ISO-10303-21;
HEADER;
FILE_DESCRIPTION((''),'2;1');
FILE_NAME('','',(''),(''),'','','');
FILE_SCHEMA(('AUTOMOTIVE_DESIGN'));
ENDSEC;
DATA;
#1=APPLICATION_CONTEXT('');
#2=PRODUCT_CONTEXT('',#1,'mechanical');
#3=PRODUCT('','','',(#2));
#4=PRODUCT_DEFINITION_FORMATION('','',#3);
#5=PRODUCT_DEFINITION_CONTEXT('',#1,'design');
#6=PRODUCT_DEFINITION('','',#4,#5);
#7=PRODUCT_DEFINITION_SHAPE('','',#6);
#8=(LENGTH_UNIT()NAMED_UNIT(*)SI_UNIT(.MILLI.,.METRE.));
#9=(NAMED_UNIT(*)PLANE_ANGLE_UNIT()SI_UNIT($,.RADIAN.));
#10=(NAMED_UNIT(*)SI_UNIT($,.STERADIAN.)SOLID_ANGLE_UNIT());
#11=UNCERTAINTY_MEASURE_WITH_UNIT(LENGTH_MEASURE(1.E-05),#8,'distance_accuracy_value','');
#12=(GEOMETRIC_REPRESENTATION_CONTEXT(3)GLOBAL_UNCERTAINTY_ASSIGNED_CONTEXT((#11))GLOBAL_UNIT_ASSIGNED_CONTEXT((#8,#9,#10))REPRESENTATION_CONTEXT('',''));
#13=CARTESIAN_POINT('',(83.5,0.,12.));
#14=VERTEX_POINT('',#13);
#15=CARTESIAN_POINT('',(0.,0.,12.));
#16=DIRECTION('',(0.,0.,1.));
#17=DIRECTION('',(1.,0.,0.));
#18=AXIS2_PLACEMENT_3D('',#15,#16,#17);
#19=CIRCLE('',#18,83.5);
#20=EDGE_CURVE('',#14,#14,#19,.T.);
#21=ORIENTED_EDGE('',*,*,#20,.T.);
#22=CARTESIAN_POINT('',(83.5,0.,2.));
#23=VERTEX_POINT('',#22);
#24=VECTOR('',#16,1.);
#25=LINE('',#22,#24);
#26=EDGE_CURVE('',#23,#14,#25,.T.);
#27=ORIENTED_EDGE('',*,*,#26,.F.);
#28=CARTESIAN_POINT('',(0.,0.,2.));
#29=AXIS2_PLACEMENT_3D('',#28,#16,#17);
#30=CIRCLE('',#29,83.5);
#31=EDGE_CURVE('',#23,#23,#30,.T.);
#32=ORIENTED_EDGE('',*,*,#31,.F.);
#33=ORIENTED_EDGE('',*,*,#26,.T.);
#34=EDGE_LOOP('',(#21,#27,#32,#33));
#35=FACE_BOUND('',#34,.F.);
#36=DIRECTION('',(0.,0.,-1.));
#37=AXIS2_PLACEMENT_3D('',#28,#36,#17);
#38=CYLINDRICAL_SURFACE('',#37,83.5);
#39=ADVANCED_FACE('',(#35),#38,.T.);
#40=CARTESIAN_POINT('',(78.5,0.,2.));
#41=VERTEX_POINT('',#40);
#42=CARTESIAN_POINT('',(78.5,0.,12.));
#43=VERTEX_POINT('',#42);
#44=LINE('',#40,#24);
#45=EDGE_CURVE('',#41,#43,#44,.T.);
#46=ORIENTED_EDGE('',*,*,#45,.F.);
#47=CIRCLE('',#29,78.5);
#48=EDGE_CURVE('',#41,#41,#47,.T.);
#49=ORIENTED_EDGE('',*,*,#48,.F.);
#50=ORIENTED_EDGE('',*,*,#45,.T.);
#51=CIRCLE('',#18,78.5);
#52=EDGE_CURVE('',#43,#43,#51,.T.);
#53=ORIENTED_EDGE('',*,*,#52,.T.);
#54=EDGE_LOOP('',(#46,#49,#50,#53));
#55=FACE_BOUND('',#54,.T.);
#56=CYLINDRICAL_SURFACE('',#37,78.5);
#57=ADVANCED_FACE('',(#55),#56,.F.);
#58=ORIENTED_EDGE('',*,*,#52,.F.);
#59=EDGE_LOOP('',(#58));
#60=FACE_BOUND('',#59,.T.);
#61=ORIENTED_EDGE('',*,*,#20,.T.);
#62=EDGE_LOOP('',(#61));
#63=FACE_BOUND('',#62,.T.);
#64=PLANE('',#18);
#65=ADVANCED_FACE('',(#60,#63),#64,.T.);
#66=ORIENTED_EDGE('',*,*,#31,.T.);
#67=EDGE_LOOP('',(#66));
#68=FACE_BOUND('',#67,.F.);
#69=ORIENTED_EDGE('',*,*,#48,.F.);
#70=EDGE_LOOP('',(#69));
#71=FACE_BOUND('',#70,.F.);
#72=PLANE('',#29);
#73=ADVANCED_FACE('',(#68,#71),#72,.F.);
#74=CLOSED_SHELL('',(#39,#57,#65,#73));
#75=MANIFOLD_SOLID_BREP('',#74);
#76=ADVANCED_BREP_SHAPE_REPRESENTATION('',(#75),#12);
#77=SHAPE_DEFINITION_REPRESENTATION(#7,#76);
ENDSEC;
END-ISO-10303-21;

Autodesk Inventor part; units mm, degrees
ref_plane "YZ Plane" through (0, 0, 0) normal (1, 0, 0) x (0, 1, 0)
ref_plane "XZ Plane" through (0, 0, 0) normal (0, 1, 0) x (-1, 0, 0)
ref_plane "XY Plane" through (0, 0, 0) normal (0, 0, 1) x (1, 0, 0)
ref_plane "Work Plane1" through (0, 0, 2) normal (0, 0, 1) x (1, 0, 0)
sketch "Sketch1" plane through (0, 0, 2) normal (0, 0, 1) x (1, 0, 0)
  circle A0 centre (0, 0) radius 78.5
  circle A1 centre (0, 0) radius 83.5
  dimension "d0" = 157
  dimension "d1" = 5
extrude "Extrusion1" add sketch "Sketch1" along normal blind 10
properties part number "LedStripV2"
